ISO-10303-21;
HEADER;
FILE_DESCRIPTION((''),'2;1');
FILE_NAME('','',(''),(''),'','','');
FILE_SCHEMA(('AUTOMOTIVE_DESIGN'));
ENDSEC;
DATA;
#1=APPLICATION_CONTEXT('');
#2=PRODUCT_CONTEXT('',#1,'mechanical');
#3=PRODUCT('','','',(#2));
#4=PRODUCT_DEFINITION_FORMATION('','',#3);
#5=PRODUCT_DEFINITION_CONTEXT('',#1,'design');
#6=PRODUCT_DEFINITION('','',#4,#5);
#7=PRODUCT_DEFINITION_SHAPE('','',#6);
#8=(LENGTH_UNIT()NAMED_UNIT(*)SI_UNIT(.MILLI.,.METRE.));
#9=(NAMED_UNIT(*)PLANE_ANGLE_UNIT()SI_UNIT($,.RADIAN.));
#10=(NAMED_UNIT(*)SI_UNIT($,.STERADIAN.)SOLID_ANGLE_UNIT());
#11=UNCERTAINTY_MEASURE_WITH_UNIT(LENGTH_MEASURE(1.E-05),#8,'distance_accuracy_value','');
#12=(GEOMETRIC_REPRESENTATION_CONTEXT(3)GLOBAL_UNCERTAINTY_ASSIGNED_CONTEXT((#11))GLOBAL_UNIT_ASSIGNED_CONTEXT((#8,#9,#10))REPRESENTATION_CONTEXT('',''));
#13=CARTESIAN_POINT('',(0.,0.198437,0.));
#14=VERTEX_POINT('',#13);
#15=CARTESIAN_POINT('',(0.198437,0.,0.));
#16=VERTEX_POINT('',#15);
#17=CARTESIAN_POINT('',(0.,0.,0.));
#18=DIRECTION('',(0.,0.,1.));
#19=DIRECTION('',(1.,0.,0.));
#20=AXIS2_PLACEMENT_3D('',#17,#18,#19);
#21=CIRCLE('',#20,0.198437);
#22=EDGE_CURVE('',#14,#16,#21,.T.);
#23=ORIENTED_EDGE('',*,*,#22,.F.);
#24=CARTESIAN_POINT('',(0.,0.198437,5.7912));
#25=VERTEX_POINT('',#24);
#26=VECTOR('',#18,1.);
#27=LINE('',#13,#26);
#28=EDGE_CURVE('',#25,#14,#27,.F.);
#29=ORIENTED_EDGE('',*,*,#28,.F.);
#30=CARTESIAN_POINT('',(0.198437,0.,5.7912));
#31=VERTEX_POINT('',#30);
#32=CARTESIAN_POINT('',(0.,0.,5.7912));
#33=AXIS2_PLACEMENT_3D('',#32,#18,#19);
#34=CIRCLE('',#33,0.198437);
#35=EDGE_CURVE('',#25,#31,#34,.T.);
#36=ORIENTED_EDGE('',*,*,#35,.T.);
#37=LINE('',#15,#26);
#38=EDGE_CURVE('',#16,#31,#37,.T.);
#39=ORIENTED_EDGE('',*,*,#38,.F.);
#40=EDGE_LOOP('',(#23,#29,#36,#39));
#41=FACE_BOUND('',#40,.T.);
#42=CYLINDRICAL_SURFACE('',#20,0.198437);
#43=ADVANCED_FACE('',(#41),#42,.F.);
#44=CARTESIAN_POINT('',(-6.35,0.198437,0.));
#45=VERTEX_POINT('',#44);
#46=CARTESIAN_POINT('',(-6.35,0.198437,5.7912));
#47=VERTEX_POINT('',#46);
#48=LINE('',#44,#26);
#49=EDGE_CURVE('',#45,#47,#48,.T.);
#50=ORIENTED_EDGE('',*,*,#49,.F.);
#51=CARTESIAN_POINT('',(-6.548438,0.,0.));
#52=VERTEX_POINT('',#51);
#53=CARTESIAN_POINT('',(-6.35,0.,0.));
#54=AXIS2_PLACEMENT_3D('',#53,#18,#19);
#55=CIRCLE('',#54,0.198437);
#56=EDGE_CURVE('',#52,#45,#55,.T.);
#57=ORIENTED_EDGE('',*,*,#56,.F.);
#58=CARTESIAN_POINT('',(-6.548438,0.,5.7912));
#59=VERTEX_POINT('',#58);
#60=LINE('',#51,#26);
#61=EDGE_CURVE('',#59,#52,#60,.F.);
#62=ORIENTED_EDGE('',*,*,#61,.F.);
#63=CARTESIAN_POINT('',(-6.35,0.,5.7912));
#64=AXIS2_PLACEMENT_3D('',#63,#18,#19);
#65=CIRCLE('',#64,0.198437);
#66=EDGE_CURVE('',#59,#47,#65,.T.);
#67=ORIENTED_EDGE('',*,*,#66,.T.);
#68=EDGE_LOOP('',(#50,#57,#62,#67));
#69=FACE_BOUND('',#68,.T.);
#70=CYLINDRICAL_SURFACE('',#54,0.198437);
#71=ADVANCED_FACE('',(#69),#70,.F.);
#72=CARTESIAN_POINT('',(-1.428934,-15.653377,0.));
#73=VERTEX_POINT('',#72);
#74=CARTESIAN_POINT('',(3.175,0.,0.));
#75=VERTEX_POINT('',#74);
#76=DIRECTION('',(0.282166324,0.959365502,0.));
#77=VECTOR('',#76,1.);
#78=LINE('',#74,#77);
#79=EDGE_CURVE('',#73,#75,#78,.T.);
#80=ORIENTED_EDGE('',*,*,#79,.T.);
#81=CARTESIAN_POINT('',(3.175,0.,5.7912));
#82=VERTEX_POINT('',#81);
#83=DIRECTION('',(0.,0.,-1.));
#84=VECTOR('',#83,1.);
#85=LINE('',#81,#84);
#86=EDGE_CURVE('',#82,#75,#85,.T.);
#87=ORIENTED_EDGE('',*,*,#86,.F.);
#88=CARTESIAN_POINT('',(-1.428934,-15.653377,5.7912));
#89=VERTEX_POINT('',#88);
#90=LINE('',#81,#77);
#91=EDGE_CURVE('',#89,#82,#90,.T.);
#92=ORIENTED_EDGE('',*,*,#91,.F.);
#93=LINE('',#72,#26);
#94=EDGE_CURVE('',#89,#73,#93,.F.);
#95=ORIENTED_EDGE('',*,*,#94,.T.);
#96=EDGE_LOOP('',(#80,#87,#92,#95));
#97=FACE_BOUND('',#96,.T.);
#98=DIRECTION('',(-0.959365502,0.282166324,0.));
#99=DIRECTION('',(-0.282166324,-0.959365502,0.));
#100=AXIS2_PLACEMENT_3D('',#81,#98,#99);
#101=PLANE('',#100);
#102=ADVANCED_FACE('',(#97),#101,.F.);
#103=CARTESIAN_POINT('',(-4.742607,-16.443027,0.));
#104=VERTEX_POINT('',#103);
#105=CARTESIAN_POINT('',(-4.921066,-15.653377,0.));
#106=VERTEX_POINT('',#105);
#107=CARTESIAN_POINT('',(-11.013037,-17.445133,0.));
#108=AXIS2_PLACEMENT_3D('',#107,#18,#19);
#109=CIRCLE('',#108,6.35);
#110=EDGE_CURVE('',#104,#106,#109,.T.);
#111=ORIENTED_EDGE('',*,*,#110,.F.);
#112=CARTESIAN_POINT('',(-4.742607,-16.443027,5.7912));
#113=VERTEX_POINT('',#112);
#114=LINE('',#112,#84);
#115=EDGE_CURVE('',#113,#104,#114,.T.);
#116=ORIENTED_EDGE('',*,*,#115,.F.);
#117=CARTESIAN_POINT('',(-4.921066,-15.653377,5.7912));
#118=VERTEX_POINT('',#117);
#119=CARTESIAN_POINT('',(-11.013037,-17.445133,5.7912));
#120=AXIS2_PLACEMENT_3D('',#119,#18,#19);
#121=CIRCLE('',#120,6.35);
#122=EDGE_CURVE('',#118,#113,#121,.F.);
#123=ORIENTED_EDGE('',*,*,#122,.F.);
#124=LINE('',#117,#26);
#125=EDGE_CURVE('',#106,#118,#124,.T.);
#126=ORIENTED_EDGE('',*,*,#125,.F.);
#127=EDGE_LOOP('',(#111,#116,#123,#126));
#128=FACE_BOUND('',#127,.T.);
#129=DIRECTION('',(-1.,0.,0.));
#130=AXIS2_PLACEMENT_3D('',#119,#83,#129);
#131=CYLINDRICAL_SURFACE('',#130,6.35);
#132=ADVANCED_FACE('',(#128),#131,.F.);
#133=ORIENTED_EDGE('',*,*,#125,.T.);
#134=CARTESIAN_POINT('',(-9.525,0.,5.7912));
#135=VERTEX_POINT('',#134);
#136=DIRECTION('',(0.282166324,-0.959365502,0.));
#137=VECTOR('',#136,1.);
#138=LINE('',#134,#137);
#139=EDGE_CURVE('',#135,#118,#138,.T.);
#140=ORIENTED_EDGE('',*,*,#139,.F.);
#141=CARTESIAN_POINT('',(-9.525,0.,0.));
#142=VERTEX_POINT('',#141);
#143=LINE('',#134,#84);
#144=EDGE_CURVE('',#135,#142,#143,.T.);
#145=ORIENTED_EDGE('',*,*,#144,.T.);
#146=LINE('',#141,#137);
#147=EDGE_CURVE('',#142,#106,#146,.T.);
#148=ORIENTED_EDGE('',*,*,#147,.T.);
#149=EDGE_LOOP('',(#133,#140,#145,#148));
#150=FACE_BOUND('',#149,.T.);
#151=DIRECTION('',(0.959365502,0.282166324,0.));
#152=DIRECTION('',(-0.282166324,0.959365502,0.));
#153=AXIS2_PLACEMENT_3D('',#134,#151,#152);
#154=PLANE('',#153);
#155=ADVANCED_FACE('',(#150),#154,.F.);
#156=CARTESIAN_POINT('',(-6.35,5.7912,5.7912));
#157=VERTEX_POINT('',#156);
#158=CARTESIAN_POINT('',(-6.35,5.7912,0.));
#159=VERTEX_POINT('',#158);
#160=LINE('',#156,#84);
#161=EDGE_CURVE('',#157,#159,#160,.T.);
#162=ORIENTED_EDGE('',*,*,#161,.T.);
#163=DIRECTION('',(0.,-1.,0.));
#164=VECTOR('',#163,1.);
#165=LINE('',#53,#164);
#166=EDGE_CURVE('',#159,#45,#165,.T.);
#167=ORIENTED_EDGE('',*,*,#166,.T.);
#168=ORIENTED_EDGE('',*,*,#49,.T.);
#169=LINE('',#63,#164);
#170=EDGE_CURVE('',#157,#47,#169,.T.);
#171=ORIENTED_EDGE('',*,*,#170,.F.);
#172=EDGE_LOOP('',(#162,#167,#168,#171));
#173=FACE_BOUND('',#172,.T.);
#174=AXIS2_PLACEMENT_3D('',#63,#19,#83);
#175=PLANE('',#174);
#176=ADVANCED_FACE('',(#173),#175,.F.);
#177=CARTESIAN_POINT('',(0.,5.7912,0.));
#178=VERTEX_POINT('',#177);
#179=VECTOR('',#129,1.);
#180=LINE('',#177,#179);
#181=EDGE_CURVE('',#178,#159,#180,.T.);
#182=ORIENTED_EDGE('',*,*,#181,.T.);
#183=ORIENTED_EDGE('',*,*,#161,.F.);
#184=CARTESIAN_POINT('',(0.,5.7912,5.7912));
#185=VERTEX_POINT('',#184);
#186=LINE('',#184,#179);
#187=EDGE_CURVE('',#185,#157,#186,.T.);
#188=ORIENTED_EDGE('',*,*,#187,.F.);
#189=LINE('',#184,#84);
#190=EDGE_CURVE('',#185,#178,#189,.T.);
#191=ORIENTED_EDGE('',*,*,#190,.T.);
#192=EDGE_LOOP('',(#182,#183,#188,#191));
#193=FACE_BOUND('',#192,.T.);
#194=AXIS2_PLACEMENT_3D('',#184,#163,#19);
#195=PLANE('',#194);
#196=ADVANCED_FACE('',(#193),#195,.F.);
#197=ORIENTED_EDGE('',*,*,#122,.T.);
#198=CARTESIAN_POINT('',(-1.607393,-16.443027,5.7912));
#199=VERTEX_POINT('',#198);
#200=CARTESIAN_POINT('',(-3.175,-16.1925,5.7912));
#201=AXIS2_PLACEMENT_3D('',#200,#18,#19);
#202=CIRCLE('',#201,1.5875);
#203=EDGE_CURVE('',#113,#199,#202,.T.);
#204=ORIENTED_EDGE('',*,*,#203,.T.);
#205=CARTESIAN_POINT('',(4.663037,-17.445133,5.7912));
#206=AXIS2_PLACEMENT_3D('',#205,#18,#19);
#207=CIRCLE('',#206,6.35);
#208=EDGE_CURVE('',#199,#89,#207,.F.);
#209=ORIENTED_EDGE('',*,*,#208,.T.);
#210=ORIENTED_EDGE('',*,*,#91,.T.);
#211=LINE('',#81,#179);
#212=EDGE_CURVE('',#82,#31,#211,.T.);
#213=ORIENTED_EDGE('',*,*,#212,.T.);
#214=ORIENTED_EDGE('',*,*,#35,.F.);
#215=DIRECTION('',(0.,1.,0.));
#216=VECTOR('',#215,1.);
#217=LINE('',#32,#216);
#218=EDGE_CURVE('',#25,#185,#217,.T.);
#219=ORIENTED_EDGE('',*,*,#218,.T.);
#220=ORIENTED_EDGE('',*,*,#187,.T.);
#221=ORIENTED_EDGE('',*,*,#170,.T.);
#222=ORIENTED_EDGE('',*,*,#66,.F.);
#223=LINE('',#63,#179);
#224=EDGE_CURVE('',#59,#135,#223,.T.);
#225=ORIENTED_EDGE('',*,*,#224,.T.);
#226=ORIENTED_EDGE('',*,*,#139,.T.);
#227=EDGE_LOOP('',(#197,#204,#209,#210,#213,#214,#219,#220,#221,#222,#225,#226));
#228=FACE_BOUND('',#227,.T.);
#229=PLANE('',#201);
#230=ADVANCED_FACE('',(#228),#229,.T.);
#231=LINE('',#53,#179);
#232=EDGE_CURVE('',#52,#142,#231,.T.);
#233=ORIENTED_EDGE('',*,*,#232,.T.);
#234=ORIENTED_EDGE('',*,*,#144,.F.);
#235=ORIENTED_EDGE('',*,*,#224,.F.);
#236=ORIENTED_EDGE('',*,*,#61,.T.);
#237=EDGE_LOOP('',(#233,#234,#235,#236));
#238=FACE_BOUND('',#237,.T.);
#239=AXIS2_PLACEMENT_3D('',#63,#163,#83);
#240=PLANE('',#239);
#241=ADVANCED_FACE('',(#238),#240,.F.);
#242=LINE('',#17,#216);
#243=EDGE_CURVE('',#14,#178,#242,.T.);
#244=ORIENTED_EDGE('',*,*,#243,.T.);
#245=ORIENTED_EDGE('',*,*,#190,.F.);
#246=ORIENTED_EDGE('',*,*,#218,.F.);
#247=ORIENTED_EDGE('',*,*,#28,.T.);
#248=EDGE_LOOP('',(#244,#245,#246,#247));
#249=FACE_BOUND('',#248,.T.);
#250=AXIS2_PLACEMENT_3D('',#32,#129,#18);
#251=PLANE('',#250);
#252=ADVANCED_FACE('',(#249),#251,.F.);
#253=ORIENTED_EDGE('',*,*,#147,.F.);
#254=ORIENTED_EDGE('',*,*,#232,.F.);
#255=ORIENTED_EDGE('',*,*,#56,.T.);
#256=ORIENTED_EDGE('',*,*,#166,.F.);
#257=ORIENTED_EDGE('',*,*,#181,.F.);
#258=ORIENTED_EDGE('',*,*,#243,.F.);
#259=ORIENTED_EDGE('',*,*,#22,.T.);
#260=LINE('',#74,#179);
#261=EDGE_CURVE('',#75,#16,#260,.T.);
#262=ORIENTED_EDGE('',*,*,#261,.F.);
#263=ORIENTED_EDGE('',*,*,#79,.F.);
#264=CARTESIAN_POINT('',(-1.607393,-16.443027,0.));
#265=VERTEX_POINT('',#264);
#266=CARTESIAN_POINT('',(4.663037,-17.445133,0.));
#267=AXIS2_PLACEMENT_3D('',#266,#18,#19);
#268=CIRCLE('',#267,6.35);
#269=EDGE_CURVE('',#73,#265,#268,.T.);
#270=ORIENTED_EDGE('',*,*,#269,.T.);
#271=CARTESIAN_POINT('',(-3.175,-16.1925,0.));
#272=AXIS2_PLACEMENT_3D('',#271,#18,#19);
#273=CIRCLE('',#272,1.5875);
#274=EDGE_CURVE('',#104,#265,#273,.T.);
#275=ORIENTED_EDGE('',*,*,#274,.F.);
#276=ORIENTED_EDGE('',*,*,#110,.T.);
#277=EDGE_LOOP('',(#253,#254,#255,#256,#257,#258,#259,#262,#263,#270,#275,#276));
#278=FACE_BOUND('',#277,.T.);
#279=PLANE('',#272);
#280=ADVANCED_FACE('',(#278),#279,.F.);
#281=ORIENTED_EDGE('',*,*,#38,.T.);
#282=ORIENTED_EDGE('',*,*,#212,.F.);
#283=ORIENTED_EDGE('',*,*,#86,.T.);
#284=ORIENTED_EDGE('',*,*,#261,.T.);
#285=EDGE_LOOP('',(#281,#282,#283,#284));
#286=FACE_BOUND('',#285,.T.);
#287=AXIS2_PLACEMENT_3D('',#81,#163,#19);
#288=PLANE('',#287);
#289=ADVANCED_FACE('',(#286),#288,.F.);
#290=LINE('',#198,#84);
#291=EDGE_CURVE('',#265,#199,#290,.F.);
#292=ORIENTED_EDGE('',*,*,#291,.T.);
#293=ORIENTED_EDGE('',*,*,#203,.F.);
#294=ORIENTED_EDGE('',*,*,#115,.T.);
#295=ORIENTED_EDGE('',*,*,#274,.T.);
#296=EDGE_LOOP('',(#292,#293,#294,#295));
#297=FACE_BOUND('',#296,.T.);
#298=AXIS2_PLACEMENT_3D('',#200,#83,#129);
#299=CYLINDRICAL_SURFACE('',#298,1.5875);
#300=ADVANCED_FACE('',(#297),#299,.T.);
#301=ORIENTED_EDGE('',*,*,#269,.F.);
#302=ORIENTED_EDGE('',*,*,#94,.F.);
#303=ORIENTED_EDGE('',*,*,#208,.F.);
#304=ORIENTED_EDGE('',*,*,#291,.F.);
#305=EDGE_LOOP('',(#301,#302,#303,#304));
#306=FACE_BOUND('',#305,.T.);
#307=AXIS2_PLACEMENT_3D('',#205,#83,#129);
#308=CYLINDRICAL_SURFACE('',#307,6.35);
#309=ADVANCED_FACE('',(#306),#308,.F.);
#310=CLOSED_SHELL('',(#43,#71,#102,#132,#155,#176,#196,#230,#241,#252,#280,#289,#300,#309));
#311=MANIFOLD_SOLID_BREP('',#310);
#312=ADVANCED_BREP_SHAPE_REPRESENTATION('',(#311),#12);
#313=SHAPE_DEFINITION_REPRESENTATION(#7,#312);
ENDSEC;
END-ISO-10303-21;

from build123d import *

# Parameters (mm, degrees)
BOSS_EXTRUDE1_DEPTH = 5.7912
FILLET1_R           = 6.35
SKETCH2_R           = 0.1984375
CUT_EXTRUDE1_DEPTH  = 6.7912


with BuildPart() as part:
    # Sketch1 → Boss-Extrude1 (new body)
    with BuildSketch(Plane.XY):
        with BuildLine():
            Line((-6.35, 0), (-9.525, 0))
            Line((-9.525, 0), (-4.7625, -16.1925))
            ThreePointArc((-4.7625, -16.1925), (-3.175, -17.78), (-1.5875, -16.1925))
            Line((-1.5875, -16.1925), (3.175, 0))
            Line((3.175, 0), (0, 0))
            Line((0, 0), (0, 5.7912))
            Line((0, 5.7912), (-6.35, 5.7912))
            Line((-6.35, 5.7912), (-6.35, 0))
        make_face()
    extrude(amount=BOSS_EXTRUDE1_DEPTH)

    # Fillet1
    fillet1_edges = [part.edges().sort_by_distance(p)[0] for p in [
        (-1.5875, -16.1925, 2.8956),
        (-4.7625, -16.1925, 2.8956),
    ]]
    fillet(fillet1_edges, radius=FILLET1_R)

    # Sketch2 → Cut-Extrude1 (cut, through all)
    with BuildSketch(Plane.XY.offset(5.7912)):
        with Locations((-6.35, 0)):
            Circle(SKETCH2_R)
        Circle(SKETCH2_R)
    extrude(amount=-CUT_EXTRUDE1_DEPTH, mode=Mode.SUBTRACT)


solid = part.part
